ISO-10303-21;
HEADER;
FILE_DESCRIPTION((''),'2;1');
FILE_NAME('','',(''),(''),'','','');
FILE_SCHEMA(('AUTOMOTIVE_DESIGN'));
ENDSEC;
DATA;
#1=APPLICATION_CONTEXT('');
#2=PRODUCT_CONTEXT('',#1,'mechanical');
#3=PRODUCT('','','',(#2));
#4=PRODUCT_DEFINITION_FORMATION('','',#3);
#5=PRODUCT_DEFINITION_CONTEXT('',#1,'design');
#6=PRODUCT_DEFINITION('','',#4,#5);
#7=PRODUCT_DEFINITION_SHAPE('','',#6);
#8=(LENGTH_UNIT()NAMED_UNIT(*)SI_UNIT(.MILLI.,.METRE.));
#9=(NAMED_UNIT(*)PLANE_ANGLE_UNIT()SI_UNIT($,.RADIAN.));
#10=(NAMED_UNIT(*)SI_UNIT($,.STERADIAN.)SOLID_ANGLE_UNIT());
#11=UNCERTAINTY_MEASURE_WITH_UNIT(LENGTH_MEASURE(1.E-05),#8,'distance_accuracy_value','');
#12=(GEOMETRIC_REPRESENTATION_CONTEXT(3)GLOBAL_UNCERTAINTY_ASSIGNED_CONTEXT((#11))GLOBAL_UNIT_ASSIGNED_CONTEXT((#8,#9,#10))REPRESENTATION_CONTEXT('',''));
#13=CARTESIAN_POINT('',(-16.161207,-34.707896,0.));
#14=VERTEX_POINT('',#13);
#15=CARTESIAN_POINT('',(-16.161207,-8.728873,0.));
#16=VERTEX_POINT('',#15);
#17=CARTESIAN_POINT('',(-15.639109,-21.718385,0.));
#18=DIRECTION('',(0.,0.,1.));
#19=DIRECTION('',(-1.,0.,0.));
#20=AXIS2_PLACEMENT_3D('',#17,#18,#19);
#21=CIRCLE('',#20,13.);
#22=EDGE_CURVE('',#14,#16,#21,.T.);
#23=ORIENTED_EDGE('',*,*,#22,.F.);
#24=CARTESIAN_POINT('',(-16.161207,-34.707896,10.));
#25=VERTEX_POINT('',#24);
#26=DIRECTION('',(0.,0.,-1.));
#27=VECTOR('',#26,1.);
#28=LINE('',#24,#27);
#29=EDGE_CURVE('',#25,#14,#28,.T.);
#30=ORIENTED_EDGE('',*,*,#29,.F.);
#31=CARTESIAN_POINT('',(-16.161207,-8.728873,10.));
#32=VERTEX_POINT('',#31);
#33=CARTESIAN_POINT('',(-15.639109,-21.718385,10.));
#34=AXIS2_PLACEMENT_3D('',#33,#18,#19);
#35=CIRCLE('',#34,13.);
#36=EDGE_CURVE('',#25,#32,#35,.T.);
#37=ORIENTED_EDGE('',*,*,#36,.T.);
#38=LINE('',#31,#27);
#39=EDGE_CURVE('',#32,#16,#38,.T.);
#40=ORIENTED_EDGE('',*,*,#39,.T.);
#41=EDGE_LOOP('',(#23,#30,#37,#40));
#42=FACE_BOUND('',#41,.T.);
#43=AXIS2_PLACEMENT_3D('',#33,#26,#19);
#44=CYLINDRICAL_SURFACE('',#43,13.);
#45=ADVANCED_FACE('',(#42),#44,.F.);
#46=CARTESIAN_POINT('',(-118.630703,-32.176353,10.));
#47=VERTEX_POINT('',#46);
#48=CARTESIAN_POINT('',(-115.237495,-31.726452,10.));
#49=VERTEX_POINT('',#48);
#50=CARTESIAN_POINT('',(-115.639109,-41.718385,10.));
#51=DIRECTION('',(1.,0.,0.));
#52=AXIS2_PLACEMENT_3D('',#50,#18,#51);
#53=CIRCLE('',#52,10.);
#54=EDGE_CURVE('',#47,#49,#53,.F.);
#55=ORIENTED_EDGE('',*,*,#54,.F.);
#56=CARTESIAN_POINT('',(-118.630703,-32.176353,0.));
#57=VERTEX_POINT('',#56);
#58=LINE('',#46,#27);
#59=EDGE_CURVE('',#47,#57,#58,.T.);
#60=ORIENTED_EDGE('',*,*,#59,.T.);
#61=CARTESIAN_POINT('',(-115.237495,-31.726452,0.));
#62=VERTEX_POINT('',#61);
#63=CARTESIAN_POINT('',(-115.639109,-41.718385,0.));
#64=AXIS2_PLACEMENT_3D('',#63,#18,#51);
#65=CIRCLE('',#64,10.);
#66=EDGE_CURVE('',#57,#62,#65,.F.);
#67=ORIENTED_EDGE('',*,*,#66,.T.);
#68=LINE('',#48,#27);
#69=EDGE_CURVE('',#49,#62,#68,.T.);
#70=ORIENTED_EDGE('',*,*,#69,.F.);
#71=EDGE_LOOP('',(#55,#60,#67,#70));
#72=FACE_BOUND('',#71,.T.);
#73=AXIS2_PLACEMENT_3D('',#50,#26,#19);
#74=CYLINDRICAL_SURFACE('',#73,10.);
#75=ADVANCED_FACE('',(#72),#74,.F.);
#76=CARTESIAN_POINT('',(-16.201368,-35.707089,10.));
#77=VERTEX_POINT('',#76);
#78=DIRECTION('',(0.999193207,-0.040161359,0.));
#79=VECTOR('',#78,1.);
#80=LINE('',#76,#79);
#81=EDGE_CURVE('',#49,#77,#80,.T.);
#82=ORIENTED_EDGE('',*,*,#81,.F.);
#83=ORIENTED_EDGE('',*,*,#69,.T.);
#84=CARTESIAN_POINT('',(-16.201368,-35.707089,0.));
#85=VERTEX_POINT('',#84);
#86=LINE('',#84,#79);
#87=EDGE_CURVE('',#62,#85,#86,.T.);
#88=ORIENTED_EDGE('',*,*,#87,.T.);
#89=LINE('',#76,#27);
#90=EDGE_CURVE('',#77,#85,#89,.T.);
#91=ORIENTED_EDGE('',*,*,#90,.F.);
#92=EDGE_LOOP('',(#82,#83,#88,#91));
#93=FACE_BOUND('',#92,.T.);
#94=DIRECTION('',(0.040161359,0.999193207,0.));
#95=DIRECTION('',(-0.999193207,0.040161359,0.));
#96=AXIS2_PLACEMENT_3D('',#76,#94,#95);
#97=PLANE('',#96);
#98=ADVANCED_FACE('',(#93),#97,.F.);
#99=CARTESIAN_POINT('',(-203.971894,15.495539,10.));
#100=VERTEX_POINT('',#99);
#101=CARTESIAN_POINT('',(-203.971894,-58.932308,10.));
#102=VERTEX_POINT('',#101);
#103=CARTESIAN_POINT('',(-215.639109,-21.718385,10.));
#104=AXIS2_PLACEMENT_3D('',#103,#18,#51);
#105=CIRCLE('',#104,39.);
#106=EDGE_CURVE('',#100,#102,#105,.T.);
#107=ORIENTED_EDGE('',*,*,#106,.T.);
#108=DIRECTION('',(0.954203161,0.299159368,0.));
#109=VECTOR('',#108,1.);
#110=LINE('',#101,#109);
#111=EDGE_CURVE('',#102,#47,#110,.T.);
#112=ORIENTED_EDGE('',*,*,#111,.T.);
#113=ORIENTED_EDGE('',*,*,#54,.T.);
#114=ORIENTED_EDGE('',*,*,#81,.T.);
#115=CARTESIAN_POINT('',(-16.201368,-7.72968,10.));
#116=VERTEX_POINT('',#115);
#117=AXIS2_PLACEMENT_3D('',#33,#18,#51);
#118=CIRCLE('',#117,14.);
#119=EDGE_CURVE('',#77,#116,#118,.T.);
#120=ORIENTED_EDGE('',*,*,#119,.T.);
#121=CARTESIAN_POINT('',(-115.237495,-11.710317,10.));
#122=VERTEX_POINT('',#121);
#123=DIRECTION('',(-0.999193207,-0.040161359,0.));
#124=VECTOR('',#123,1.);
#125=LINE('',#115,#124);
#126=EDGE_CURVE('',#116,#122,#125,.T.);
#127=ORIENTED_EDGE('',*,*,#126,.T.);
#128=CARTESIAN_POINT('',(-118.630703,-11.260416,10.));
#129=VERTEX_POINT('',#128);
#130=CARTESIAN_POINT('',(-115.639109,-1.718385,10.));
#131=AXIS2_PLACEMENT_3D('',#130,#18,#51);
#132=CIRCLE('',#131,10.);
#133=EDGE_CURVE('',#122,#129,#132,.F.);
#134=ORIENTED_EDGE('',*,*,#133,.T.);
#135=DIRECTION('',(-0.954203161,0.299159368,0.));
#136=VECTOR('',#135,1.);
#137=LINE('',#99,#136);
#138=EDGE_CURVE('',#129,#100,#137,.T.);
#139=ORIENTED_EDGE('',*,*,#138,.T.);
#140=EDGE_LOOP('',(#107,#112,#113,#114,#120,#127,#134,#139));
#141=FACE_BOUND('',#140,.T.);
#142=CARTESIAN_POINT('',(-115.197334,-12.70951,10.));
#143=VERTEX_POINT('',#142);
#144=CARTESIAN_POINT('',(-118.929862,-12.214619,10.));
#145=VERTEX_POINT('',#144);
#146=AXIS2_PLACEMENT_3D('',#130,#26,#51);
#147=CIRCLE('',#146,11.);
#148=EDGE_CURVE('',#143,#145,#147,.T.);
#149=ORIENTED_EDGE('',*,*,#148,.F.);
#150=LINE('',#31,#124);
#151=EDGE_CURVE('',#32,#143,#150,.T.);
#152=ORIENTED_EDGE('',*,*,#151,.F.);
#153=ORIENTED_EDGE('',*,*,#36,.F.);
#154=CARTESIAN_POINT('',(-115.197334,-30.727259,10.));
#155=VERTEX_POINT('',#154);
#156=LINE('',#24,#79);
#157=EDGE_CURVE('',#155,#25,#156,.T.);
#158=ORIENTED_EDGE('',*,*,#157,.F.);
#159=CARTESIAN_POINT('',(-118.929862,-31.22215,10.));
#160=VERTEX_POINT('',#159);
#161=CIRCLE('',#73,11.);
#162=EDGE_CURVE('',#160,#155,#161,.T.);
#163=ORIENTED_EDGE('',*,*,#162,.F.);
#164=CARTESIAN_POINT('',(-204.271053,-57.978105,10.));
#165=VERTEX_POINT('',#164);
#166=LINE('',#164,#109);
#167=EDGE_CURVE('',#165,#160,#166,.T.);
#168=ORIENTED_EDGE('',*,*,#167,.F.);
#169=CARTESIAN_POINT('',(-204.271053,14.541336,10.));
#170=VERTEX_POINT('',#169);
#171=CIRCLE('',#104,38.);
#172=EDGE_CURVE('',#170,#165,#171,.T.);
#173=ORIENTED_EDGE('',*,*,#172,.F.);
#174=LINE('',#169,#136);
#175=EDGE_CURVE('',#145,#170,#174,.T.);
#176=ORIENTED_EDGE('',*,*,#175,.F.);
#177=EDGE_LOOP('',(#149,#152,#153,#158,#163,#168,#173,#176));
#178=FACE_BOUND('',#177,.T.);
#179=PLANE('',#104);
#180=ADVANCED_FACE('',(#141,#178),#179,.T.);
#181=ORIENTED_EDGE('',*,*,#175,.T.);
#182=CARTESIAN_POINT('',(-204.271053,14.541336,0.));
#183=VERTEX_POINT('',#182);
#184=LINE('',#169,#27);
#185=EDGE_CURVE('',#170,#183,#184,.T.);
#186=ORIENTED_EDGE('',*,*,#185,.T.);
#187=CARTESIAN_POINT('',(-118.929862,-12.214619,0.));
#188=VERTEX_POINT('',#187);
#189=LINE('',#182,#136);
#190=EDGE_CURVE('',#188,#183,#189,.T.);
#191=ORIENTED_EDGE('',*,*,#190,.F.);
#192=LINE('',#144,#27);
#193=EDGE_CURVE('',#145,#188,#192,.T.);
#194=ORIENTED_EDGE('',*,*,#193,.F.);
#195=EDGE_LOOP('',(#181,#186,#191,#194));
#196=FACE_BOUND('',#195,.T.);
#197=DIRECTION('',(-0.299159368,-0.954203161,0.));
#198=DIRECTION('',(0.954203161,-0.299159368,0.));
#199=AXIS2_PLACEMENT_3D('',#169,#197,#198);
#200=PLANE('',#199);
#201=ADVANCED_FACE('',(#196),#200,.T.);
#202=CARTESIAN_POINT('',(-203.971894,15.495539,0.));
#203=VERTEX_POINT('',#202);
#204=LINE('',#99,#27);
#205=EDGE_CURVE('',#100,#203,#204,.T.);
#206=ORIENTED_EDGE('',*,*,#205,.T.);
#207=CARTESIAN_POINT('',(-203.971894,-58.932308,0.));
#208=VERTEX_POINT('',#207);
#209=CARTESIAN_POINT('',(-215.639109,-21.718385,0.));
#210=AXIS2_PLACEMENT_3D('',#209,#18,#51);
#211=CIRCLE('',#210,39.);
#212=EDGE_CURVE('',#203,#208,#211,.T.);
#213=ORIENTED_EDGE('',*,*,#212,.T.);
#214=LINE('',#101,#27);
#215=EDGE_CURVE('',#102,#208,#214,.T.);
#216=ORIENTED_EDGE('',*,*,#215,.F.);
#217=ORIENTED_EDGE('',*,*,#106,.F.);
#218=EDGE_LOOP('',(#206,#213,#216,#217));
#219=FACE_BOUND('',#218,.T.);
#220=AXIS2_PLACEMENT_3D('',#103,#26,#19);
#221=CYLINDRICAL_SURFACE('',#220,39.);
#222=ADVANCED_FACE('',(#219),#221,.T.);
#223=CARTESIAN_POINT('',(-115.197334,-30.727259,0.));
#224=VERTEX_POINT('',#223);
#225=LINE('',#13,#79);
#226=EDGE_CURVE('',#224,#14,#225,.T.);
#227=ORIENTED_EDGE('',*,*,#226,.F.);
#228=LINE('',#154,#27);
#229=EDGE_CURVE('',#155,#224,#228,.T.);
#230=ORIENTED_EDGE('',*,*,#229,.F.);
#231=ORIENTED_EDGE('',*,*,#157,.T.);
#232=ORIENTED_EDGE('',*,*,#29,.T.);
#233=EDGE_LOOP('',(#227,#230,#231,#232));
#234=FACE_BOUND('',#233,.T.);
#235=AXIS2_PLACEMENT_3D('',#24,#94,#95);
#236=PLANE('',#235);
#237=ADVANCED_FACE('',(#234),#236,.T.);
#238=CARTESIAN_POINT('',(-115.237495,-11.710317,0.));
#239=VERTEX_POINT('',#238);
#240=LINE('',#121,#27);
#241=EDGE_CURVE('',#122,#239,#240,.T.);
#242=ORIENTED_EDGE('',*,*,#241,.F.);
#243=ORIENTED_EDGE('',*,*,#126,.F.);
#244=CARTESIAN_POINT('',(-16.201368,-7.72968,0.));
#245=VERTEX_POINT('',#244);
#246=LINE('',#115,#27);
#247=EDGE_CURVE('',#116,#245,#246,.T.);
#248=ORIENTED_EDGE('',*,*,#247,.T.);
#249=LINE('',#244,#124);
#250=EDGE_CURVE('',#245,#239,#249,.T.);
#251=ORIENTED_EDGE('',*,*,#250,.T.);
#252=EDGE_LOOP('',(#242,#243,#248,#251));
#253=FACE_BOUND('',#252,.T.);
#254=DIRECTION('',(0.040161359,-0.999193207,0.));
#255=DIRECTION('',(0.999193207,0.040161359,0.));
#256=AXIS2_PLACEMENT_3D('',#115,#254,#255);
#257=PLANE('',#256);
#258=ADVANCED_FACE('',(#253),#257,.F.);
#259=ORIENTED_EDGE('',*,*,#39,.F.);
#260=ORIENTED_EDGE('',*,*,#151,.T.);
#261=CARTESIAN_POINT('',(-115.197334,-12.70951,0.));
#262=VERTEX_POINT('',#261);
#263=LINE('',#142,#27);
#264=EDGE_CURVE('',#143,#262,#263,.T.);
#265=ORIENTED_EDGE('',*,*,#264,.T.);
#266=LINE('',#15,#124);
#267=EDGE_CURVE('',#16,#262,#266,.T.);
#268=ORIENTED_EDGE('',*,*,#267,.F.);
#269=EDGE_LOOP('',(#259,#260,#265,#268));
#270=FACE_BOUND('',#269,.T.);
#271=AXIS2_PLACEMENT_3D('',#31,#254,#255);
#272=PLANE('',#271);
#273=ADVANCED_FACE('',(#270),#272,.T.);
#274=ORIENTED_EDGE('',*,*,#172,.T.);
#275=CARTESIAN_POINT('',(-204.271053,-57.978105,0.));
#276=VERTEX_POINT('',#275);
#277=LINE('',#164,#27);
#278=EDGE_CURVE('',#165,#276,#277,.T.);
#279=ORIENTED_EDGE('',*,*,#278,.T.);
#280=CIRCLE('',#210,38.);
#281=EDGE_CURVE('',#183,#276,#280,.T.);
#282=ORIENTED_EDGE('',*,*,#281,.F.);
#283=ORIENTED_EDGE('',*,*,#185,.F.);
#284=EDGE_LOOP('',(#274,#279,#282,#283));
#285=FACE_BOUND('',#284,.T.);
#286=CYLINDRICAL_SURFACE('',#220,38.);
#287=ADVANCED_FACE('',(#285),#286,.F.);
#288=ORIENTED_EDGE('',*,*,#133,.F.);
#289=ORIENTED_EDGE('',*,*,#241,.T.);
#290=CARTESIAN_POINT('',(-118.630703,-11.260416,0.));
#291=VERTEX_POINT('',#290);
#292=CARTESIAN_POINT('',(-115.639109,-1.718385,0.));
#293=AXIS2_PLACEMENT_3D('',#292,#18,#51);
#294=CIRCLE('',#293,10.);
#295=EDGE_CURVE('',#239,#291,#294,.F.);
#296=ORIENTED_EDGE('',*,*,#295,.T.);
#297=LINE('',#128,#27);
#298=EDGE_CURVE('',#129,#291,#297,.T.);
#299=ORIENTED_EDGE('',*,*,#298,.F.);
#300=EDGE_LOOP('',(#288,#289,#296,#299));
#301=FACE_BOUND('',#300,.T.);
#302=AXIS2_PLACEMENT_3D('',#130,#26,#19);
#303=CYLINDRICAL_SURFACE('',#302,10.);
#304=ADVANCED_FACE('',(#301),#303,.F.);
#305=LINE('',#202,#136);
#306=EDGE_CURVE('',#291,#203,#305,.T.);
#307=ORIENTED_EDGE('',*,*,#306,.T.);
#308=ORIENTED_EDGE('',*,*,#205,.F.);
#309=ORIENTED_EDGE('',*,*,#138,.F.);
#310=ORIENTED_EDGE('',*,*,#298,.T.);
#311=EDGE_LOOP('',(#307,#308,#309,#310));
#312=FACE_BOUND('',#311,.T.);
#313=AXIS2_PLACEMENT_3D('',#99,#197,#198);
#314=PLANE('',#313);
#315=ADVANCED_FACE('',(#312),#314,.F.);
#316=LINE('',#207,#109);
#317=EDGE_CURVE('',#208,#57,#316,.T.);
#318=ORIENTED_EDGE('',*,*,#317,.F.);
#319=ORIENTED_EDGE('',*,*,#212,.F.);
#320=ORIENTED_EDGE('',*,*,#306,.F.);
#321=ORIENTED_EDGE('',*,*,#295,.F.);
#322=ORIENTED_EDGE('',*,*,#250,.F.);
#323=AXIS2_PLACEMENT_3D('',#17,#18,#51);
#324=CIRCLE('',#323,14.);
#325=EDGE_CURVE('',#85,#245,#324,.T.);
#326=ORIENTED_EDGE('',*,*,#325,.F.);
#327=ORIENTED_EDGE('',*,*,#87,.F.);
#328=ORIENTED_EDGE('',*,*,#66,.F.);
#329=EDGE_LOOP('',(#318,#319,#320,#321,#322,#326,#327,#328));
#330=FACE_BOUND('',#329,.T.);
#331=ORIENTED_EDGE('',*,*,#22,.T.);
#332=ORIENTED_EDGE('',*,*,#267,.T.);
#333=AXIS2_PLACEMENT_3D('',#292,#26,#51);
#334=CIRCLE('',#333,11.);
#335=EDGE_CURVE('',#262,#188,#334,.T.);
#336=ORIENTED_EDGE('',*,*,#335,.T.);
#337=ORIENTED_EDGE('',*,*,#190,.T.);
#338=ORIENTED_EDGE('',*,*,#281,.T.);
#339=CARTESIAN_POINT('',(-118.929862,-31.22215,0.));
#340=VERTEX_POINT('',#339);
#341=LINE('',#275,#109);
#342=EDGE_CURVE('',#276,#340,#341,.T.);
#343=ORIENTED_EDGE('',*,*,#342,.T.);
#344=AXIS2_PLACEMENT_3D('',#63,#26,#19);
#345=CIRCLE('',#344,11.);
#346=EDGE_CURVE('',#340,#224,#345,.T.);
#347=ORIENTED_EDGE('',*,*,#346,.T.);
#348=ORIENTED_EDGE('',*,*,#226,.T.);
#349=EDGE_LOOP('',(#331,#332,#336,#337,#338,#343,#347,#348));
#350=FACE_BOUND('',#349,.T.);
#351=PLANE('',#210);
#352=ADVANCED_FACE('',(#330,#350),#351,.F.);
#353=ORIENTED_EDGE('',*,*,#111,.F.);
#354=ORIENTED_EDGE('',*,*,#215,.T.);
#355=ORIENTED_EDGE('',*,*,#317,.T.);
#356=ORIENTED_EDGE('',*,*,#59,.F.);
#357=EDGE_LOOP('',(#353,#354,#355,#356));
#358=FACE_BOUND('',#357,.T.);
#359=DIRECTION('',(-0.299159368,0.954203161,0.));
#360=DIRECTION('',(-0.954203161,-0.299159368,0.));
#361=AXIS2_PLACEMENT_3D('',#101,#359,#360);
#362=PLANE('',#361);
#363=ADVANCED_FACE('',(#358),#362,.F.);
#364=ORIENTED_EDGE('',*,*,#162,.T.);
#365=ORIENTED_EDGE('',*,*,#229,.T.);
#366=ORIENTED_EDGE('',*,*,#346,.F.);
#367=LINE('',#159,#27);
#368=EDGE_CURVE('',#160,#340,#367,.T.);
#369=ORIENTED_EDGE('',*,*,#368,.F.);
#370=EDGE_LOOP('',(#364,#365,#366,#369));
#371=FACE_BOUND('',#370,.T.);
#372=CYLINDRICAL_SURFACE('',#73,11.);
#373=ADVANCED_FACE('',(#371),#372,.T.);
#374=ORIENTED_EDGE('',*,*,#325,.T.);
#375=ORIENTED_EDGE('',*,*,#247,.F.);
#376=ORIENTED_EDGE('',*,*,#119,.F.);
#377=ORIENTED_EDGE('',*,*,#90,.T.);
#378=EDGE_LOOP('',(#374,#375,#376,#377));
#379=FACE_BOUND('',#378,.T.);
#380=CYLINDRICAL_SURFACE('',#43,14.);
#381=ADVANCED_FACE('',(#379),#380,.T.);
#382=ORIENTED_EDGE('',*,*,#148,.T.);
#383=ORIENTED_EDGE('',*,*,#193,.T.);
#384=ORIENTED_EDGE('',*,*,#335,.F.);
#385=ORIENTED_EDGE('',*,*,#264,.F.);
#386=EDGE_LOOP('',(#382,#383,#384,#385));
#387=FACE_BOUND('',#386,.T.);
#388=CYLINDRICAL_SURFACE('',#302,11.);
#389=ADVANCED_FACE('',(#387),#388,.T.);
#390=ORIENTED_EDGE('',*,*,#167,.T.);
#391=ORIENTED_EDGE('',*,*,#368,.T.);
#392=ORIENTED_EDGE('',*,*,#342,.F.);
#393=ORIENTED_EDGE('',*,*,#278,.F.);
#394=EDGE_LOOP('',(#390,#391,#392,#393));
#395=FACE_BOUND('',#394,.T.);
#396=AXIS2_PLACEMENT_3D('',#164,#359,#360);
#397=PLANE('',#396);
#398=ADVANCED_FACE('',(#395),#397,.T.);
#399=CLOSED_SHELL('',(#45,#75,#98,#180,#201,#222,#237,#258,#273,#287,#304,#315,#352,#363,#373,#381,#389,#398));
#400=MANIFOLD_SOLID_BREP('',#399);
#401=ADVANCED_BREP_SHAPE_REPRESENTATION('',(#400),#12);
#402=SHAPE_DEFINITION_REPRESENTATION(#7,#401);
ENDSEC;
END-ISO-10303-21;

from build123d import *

# Parameters (mm, degrees)
EXTRU_MINCE1_DEPTH = 10


with BuildPart() as part:
    # Esquisse1 → Extru.-Mince1 (new body)
    with BuildSketch(Plane.XY):
        with BuildLine():
            Line((-118.630702561, -32.176352928), (-203.97189354, -58.932307822))
            ThreePointArc((-203.97189354, -58.932307822), (-254.639108883, -21.718384539), (-203.97189354, 15.495538744))
            Line((-203.97189354, 15.495538744), (-118.630702561, -11.26041615))
            ThreePointArc((-118.630702561, -11.26041615), (-116.953491562, -11.631628114), (-115.237495298, -11.710316611))
            Line((-115.237495298, -11.710316611), (-16.201367903, -7.729679639))
            ThreePointArc((-16.201367903, -7.729679639), (-1.639108883, -21.718384539), (-16.201367903, -35.70708944))
            Line((-16.201367903, -35.70708944), (-115.237495298, -31.726452467))
            ThreePointArc((-115.237495298, -31.726452467), (-116.953491562, -31.805140964), (-118.630702561, -32.176352928))
        make_face()
        with BuildLine():
            Line((-118.929861929, -31.222149767), (-204.271052908, -57.978104661))
            ThreePointArc((-204.271052908, -57.978104661), (-253.639108883, -21.718384539), (-204.271052908, 14.541335583))
            Line((-204.271052908, 14.541335583), (-118.929861929, -12.214619311))
            ThreePointArc((-118.929861929, -12.214619311), (-117.08492983, -12.622952471), (-115.197333939, -12.709509818))
            Line((-115.197333939, -12.709509818), (-16.161206545, -8.728872846))
            ThreePointArc((-16.161206545, -8.728872846), (-2.639108883, -21.718384539), (-16.161206545, -34.707896233))
            Line((-16.161206545, -34.707896233), (-115.197333939, -30.72725926))
            ThreePointArc((-115.197333939, -30.72725926), (-117.08492983, -30.813816607), (-118.929861929, -31.222149767))
        make_face(mode=Mode.SUBTRACT)
    extrude(amount=EXTRU_MINCE1_DEPTH)


solid = part.part
